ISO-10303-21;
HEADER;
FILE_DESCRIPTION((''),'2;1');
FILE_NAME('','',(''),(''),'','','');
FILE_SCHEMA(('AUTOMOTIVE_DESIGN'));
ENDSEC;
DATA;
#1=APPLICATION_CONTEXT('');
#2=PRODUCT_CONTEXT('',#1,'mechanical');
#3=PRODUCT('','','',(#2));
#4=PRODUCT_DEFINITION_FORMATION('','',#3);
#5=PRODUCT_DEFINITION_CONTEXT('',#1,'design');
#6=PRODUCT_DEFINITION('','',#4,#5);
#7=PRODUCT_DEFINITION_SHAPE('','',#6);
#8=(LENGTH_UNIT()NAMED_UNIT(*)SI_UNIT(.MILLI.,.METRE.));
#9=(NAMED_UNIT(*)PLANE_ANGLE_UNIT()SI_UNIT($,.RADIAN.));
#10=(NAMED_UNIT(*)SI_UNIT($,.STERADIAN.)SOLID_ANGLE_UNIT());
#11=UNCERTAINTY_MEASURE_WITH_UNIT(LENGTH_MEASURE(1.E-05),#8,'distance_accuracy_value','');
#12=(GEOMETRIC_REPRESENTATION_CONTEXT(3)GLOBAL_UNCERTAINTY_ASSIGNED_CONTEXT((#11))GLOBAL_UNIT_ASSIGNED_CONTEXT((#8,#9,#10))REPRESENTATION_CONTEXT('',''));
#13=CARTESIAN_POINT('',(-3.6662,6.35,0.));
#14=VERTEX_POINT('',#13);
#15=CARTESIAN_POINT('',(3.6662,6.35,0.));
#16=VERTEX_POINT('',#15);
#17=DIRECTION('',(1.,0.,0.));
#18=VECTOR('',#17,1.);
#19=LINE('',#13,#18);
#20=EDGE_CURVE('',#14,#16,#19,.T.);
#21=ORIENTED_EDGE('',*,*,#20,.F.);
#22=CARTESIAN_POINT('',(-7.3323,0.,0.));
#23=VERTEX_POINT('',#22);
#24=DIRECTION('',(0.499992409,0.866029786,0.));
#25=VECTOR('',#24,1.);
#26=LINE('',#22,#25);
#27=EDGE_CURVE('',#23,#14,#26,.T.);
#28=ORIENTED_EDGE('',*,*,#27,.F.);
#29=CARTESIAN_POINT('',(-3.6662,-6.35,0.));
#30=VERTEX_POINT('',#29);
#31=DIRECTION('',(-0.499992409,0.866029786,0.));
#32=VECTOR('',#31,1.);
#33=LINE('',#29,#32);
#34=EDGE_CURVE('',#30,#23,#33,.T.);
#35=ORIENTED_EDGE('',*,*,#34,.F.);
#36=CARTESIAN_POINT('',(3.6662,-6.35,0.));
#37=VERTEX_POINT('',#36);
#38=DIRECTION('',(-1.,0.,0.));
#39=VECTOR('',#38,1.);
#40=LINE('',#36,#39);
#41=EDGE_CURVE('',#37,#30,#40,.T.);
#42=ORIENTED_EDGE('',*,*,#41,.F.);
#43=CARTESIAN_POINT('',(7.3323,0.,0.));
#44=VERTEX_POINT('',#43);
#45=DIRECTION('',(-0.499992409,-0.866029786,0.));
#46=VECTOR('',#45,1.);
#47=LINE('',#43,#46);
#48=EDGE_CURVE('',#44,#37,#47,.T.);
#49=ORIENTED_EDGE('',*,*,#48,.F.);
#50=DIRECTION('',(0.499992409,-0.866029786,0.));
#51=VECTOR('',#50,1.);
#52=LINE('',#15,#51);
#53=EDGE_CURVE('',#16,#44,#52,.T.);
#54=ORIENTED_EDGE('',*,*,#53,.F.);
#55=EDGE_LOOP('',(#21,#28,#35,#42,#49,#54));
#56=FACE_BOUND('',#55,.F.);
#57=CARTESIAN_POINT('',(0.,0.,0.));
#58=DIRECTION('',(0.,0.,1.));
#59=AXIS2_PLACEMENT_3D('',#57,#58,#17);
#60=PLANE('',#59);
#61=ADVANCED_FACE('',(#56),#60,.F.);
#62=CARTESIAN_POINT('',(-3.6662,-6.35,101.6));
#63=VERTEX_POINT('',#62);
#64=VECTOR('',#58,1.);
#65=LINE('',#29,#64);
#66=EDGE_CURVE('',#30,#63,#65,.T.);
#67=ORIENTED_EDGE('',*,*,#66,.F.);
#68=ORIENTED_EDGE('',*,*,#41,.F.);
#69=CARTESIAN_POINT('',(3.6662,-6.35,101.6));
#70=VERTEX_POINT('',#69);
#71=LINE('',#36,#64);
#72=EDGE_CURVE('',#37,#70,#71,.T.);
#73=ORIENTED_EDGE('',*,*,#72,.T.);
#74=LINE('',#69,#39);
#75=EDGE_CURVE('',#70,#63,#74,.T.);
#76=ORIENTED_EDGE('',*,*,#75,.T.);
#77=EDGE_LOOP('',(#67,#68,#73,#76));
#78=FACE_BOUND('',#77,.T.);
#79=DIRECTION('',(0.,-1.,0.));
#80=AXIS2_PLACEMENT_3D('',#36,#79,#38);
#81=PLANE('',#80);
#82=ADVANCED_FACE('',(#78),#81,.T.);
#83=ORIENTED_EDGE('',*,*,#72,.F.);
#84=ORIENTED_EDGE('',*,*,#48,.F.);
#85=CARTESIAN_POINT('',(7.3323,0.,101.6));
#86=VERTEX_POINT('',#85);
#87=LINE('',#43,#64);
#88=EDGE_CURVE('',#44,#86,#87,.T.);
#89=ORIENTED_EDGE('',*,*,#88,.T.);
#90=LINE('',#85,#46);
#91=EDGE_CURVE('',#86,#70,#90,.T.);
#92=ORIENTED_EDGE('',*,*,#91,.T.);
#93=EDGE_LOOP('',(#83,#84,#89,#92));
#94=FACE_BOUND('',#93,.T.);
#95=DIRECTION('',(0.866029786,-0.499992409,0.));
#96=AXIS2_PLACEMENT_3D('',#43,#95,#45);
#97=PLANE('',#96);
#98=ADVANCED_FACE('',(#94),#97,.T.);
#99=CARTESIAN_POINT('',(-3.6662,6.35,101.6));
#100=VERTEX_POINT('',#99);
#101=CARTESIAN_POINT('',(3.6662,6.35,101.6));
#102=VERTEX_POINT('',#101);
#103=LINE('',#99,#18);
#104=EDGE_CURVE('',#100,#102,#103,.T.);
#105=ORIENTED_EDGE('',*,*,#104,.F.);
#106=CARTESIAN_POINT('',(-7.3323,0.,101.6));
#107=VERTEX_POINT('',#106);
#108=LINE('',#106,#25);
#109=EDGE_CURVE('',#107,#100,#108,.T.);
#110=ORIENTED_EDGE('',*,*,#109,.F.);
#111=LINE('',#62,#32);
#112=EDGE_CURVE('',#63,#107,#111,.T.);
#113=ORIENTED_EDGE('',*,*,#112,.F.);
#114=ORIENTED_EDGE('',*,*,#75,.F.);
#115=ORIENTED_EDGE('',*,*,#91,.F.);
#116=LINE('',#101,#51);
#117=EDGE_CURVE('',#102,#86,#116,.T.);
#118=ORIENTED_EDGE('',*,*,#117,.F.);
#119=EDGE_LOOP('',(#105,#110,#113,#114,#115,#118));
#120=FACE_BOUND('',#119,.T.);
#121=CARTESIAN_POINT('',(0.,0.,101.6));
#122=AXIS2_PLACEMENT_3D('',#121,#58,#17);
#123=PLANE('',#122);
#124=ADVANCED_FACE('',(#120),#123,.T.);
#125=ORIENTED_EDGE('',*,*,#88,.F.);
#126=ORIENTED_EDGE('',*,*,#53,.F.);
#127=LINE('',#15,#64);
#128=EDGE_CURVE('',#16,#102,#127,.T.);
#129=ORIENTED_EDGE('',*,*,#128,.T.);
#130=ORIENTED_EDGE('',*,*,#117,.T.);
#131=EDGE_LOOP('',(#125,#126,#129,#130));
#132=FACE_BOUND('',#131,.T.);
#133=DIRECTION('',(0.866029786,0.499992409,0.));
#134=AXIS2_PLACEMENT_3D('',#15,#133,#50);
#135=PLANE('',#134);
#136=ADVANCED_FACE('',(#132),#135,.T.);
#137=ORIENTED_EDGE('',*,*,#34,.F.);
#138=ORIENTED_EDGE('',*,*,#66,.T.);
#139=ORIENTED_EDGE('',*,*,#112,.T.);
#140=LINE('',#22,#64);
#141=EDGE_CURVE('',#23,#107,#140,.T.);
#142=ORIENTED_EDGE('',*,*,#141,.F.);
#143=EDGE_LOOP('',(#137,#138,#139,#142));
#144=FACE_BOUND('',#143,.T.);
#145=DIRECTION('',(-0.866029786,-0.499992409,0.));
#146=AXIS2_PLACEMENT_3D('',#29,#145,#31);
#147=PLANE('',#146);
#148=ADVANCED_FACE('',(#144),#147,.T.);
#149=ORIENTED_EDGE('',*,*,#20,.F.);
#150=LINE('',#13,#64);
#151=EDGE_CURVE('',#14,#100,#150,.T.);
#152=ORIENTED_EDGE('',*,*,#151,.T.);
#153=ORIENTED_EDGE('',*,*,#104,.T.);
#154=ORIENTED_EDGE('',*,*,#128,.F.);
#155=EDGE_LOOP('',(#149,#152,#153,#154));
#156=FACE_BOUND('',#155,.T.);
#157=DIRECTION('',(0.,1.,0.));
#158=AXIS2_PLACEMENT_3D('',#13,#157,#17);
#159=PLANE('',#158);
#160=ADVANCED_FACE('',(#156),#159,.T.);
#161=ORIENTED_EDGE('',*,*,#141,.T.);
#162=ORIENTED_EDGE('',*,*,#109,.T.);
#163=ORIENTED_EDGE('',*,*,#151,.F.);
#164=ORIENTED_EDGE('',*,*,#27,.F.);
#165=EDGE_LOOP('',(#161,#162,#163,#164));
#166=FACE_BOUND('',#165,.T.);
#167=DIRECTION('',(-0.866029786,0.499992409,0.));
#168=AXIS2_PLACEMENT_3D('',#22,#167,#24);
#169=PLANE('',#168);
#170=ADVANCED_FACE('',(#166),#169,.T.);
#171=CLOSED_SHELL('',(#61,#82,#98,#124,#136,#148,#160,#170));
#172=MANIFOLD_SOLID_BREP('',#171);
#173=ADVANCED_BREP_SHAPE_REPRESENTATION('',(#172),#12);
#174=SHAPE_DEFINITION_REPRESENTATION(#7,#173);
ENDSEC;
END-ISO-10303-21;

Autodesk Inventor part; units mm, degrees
ref_plane "YZ Plane" through (0, 0, 0) normal (1, 0, 0) x (0, 1, 0)
ref_plane "XZ Plane" through (0, 0, 0) normal (0, 1, 0) x (-1, 0, 0)
ref_plane "XY Plane" through (0, 0, 0) normal (0, 0, 1) x (1, 0, 0)
sketch "Sketch1" plane through (0, 0, 0) normal (0, 0, 1) x (1, 0, 0)
  line L0 (3.6662, 6.35) -> (7.3323, 0)
  line L1 (7.3323, 0) -> (3.6662, -6.35)
  line L2 (3.6662, -6.35) -> (-3.6662, -6.35)
  line L3 (-3.6662, -6.35) -> (-7.3323, 0)
  line L4 (-7.3323, 0) -> (-3.6662, 6.35)
  line L5 (-3.6662, 6.35) -> (3.6662, 6.35)
  line L6 (0, 0) -> (0.4498, 0)
  dimension "d0" = 12.7
extrude "Extrusion1" add sketch "Sketch1" along normal blind 101.6
properties part number "Kermit HexShaft"
